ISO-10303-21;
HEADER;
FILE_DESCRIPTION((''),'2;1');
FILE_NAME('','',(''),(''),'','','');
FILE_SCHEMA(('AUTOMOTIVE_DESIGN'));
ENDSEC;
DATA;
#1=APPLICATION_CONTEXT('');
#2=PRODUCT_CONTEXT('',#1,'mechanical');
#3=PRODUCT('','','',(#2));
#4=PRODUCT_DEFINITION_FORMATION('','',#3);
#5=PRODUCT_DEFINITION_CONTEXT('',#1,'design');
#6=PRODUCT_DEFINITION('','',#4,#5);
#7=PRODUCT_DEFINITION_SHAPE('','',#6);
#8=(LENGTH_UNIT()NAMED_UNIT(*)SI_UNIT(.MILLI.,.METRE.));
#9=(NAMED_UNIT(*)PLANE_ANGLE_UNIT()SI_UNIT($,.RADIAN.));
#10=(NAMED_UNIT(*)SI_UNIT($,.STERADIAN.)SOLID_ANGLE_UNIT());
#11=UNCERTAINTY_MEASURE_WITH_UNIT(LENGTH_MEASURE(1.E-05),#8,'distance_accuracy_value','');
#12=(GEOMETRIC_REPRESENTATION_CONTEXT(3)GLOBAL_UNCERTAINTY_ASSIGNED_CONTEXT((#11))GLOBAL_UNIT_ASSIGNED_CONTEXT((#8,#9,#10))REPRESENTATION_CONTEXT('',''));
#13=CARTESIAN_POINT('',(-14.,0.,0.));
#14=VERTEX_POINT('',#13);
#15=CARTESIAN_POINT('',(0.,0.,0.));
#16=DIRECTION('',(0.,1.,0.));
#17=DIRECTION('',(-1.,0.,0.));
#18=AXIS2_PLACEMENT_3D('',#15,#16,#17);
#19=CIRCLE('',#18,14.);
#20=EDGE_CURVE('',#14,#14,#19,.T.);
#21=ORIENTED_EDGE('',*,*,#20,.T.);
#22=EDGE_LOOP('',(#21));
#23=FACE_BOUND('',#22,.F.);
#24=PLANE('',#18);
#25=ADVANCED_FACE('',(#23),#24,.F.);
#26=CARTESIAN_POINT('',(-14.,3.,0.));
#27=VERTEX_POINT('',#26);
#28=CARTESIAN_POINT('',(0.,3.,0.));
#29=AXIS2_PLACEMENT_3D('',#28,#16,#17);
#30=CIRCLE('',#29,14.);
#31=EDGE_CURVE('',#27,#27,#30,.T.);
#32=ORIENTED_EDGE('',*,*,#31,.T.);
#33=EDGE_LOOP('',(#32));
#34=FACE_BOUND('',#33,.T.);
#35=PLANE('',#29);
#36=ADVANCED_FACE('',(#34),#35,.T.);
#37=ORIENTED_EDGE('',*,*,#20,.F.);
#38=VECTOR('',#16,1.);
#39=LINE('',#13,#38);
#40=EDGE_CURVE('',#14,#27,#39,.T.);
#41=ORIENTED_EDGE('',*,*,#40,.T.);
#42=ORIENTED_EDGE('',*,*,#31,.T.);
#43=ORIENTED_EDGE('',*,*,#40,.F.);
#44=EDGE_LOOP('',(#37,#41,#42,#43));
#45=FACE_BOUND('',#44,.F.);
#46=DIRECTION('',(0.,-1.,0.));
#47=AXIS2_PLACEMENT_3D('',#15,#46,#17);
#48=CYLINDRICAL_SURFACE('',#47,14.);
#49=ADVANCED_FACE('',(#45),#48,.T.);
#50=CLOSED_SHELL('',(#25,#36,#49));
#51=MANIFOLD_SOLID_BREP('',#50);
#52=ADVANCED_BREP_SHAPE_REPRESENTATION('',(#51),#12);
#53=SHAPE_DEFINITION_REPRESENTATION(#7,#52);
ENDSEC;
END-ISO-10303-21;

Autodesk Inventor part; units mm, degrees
ref_plane "YZ Plane" through (0, 0, 0) normal (1, 0, 0) x (0, 1, 0)
ref_plane "XZ Plane" through (0, 0, 0) normal (0, 1, 0) x (-1, 0, 0)
ref_plane "XY Plane" through (0, 0, 0) normal (0, 0, 1) x (1, 0, 0)
sketch "Sketch1" plane through (0, 0, 0) normal (0, 1, 0) x (-1, 0, 0)
  circle A0 centre (0, 0) radius 14
  dimension "d0" = 28
extrude "Extrusion1" add sketch "Sketch1" along normal blind 3
properties part number "svetlo_mlecne_plexi"
